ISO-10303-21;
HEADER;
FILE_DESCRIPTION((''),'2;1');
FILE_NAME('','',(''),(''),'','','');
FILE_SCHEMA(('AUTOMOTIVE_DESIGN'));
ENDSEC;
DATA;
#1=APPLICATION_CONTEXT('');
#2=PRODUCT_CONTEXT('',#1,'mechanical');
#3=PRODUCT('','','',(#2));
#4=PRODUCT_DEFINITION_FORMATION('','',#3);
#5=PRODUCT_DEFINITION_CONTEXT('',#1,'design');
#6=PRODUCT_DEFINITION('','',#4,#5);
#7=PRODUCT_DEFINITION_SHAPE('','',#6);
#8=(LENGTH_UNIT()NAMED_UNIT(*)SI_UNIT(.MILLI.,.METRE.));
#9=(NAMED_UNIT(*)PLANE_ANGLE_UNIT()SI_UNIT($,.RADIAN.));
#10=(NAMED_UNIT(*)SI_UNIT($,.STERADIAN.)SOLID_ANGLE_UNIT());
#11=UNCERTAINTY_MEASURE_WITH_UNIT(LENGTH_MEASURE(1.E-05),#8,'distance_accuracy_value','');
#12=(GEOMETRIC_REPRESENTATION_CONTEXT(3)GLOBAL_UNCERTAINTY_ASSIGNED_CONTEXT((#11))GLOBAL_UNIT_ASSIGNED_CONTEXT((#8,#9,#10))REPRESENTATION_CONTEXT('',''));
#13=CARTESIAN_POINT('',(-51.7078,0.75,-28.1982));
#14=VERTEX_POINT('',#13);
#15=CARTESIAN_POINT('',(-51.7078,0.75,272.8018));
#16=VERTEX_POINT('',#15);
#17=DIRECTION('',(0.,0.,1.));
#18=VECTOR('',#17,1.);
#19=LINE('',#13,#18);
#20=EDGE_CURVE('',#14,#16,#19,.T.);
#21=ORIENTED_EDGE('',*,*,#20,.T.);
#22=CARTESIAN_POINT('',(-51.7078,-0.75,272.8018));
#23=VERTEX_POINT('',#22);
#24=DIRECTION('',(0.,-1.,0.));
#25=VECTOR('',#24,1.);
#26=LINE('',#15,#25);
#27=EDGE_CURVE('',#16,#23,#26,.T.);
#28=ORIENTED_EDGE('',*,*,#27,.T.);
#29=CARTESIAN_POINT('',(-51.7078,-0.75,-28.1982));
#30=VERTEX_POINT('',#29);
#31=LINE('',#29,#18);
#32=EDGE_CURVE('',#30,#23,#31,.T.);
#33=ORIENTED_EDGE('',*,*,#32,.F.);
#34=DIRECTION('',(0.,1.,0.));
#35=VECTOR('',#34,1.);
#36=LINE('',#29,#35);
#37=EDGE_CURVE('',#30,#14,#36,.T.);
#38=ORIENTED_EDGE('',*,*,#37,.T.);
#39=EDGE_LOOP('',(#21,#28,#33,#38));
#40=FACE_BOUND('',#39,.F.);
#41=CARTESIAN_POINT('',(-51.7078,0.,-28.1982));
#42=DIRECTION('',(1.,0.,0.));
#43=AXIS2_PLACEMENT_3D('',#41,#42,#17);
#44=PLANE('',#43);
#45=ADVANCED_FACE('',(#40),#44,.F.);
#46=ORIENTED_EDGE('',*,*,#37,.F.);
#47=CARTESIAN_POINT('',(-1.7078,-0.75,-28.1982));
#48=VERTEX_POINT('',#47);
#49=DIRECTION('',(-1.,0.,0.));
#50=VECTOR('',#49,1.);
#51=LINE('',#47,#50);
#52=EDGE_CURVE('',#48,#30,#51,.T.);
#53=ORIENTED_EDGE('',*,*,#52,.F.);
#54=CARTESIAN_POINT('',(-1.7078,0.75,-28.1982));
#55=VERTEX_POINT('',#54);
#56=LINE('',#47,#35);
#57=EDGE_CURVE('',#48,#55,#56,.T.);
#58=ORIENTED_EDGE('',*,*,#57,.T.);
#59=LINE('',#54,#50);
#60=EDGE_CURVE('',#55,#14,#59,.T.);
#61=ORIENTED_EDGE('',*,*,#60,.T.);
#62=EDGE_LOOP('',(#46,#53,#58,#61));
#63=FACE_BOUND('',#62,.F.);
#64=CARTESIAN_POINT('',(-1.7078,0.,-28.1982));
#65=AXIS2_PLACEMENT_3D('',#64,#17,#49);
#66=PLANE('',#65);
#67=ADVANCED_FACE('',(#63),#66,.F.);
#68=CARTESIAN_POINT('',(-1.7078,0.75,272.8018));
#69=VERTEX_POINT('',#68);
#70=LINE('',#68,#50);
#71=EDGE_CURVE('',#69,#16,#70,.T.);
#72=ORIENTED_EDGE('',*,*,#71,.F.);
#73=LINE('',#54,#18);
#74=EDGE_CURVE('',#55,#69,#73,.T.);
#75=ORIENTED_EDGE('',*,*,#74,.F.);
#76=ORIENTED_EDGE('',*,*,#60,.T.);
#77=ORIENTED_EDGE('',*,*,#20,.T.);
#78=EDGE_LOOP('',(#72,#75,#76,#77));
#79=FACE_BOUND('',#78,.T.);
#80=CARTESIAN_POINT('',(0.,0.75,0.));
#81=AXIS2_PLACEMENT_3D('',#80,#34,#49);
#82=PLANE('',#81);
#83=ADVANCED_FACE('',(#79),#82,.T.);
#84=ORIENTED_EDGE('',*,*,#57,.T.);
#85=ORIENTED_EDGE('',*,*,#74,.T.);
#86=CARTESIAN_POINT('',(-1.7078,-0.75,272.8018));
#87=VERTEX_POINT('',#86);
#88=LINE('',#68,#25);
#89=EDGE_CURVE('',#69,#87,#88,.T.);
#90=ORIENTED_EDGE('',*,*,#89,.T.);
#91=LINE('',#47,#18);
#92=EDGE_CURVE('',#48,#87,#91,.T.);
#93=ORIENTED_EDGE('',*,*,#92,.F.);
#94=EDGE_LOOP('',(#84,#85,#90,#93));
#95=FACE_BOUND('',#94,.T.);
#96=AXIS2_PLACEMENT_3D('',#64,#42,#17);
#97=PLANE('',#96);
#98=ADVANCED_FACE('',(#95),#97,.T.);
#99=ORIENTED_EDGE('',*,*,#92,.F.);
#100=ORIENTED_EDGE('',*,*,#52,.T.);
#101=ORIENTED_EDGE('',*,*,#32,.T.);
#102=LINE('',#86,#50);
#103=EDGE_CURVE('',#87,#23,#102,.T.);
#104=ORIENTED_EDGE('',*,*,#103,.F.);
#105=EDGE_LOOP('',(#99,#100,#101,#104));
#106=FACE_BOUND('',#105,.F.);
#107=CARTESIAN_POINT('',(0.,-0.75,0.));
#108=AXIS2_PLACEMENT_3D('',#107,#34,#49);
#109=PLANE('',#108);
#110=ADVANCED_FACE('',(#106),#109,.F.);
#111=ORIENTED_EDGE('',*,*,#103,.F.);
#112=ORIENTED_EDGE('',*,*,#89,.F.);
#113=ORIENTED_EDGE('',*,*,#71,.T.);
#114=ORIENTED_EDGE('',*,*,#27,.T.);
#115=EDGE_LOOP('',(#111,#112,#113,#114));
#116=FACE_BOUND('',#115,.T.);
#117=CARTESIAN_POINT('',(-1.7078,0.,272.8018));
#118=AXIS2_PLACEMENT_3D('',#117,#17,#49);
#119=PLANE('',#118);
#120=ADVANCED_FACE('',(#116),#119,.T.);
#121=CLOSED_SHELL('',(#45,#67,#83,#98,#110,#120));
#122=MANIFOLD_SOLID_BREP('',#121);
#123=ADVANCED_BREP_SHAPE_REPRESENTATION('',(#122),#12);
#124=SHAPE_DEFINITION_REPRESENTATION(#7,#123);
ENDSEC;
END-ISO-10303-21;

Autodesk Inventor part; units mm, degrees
ref_plane "YZ Plane" through (0, 0, 0) normal (1, 0, 0) x (0, 1, 0)
ref_plane "XZ Plane" through (0, 0, 0) normal (0, 1, 0) x (-1, 0, 0)
ref_plane "XY Plane" through (0, 0, 0) normal (0, 0, 1) x (1, 0, 0)
sketch "Boceto1" plane through (0, 0, 0) normal (0, 1, 0) x (-1, 0, 0)
  line L0 (1.7078, -28.1982) -> (51.7078, -28.1982)
  line L1 (51.7078, -28.1982) -> (51.7078, 272.8018)
  line L2 (1.7078, -28.1982) -> (1.7078, 272.8018)
  line L3 (1.7078, 272.8018) -> (51.7078, 272.8018)
  point P0 (0, 0)
  dimension "d2" = 50
  dimension "d3" = 301
  dimension "d4" = 301
extrude "Extrusión1" add sketch "Boceto1" along normal mid plane 1.5
properties part number "recta"
